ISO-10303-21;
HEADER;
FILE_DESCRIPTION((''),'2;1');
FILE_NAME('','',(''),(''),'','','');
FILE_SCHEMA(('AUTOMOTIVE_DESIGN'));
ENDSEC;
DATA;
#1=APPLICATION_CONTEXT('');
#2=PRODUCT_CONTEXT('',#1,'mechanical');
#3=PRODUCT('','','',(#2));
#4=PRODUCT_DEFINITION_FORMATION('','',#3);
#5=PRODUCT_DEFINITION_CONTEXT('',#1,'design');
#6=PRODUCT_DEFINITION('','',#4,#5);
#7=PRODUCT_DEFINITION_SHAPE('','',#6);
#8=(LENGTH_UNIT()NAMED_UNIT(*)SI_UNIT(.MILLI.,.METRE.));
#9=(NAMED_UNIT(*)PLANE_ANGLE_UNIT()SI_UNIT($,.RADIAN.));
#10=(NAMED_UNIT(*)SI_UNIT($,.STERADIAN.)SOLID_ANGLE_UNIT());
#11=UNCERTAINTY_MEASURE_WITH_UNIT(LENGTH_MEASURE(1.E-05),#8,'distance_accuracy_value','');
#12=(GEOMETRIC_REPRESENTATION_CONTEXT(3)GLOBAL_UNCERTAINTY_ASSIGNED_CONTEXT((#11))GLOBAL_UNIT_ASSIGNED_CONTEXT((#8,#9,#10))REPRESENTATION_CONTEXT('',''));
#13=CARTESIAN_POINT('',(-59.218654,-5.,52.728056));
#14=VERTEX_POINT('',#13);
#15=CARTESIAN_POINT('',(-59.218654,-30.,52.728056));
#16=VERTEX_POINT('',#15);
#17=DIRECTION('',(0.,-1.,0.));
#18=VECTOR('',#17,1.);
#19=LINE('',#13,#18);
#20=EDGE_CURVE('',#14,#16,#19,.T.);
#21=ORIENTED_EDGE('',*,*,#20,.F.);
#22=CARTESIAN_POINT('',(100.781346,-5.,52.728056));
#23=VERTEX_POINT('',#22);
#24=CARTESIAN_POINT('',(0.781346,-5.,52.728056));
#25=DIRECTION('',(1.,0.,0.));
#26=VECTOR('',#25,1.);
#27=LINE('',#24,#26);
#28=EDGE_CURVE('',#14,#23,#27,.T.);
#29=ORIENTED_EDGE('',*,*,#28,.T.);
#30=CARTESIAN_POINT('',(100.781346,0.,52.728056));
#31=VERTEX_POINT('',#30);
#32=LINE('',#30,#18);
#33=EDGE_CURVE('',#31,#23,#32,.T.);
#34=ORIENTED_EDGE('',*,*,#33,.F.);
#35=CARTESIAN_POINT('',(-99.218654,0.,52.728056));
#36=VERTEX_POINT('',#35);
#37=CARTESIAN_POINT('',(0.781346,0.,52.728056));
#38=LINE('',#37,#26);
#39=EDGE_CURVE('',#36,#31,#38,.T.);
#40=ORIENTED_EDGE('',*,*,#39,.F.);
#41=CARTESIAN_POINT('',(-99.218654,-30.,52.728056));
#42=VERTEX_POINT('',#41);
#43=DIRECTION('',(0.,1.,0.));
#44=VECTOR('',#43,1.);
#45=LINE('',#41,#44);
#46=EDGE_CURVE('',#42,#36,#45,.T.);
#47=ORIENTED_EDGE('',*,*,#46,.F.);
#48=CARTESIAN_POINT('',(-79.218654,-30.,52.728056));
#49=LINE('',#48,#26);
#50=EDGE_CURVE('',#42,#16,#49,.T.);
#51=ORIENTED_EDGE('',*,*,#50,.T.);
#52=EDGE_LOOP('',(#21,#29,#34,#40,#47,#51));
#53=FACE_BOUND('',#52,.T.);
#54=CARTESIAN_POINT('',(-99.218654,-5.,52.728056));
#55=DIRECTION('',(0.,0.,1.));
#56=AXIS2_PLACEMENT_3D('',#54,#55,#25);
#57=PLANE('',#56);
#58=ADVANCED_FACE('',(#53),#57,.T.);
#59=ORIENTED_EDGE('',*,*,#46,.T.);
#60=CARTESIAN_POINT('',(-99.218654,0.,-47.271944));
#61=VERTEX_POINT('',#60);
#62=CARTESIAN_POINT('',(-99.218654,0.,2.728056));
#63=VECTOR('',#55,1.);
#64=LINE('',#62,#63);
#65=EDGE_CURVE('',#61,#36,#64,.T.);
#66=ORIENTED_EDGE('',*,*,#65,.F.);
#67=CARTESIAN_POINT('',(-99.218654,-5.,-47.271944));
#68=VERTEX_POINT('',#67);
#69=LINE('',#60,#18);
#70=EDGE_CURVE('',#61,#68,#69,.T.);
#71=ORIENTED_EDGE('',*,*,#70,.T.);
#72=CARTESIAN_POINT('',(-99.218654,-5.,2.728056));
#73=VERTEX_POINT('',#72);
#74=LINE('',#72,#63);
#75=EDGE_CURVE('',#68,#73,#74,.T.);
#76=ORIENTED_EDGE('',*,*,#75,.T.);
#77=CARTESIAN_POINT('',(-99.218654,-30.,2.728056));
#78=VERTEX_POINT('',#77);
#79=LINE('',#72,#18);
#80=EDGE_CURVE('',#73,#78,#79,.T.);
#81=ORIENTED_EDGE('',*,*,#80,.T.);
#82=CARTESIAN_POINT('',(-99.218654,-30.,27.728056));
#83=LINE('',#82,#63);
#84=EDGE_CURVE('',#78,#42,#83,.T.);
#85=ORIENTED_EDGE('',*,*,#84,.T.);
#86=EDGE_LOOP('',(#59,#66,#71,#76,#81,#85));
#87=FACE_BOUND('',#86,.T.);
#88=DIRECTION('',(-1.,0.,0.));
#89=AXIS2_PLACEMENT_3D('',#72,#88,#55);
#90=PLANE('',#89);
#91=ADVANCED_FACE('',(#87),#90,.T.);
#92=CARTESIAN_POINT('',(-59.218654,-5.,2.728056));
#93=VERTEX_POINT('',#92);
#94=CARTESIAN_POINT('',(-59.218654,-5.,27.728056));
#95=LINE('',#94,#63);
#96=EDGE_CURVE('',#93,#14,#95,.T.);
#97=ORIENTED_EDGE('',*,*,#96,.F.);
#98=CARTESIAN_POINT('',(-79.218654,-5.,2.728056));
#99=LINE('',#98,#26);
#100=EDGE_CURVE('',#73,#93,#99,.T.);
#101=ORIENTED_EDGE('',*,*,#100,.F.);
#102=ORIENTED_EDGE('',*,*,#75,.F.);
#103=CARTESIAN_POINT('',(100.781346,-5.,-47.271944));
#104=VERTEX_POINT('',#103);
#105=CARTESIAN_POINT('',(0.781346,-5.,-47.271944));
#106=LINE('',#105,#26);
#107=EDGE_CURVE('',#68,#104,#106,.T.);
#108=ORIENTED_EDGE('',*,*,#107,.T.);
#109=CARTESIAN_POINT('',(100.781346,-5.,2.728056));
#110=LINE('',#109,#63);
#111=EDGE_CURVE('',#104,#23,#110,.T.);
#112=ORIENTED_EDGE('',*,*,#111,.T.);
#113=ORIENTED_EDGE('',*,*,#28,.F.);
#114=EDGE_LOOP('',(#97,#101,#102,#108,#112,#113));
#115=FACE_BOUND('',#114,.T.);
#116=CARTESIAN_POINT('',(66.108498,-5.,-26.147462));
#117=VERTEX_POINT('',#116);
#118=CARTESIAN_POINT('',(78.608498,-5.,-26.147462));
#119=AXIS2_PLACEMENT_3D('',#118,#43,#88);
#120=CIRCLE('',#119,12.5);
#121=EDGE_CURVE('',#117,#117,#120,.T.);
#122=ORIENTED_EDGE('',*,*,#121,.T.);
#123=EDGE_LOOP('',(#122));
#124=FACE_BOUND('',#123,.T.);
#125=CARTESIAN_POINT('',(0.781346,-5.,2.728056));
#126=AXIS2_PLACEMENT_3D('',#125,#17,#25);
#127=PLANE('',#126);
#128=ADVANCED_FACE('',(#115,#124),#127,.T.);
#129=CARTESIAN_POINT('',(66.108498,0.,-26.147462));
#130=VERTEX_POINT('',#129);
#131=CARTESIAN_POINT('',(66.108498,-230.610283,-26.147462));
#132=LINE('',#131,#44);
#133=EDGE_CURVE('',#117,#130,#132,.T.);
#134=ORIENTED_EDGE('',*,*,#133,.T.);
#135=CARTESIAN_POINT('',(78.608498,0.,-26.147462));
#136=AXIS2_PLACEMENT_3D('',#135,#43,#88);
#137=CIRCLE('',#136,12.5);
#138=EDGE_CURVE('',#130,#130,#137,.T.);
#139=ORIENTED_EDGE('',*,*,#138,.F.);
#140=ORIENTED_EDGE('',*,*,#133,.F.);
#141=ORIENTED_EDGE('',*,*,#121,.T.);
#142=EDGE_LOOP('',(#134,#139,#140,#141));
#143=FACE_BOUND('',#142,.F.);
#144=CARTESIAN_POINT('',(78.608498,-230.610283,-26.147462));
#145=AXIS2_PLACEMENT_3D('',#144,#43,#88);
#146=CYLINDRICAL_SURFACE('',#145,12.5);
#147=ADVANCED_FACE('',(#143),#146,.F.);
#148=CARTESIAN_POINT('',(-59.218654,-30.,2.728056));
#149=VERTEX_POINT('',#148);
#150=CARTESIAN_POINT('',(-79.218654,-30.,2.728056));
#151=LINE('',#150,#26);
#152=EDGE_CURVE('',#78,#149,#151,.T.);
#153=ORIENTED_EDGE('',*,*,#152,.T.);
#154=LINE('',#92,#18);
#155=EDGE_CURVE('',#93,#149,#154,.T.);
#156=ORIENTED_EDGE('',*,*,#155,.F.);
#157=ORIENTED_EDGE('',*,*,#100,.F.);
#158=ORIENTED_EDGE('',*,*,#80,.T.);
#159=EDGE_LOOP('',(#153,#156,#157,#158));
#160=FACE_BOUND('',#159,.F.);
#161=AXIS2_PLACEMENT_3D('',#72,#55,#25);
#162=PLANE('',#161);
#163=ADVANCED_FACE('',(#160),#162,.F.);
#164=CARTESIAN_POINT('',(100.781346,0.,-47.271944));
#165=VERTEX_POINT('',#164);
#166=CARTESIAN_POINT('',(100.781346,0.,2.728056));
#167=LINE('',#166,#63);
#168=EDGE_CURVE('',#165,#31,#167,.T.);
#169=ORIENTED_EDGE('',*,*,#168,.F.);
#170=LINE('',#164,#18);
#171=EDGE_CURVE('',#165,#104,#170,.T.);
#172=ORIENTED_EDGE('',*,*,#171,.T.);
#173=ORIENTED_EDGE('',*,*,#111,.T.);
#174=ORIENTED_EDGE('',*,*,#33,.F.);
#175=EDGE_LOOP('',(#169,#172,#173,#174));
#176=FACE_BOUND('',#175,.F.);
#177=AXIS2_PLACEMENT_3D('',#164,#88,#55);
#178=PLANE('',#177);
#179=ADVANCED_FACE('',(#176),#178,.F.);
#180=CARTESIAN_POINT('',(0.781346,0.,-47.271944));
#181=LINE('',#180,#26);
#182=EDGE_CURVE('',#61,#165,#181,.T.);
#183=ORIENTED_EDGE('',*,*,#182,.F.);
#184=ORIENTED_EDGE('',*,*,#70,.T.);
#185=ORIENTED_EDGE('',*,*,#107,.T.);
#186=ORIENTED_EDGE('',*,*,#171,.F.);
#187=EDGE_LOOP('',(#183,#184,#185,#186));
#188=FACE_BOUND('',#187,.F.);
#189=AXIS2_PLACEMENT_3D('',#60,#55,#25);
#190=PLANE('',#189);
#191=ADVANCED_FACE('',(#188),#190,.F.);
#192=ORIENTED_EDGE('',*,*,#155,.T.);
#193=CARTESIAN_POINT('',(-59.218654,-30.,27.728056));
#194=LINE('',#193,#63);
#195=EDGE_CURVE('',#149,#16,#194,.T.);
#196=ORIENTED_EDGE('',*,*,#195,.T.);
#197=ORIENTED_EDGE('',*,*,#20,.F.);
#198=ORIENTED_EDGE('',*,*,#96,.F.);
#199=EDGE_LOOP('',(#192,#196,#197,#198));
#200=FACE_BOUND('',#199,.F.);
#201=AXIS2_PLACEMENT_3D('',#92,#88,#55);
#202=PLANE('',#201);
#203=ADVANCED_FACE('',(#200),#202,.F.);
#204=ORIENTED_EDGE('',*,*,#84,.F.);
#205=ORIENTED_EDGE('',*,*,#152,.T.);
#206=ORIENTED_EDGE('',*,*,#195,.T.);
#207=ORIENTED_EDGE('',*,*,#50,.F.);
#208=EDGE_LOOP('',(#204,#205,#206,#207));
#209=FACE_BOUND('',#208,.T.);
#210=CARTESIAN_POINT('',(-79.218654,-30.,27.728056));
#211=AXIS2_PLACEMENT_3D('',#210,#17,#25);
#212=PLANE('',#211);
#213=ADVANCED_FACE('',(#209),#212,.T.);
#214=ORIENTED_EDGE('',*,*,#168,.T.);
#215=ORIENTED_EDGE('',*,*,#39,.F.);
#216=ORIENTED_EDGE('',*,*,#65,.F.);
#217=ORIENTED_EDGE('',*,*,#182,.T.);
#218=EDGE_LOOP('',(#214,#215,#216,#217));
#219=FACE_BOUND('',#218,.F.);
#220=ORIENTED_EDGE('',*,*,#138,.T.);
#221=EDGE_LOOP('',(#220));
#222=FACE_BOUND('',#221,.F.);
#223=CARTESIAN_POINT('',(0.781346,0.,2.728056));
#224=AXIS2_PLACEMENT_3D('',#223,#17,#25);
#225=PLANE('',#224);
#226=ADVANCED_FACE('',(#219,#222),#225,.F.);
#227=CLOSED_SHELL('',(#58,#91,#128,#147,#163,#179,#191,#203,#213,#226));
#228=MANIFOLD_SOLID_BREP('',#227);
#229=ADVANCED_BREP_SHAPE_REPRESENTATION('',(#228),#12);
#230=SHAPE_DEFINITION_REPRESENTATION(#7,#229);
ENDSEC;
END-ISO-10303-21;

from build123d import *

# Parameters (mm, degrees)
F0_W     = 200
F0_H     = 100
F1_DEPTH = 5
F2_W     = 40
F2_H     = 50
F3_DEPTH = 25
F5_D     = 25


with BuildPart() as f1:
    # F0 (on Front) → F1 (new body)
    with BuildSketch(Plane.XZ):
        with Locations((0.7813461125, 2.7280557753)):
            Rectangle(F0_W, F0_H)
    extrude(amount=F1_DEPTH)

    # F2 (on face) → F3 (join)
    with BuildSketch(Plane.XZ.offset(5)):
        with Locations((-79.2186538875, 27.7280557753)):
            Rectangle(F2_W, F2_H)
    extrude(amount=F3_DEPTH)

    # F5 (through all)
    with Locations(Plane.XZ.offset(5)):
        with Locations((78.6084979773, -26.1474624276)):
            Hole(F5_D / 2)


solid = f1.part
